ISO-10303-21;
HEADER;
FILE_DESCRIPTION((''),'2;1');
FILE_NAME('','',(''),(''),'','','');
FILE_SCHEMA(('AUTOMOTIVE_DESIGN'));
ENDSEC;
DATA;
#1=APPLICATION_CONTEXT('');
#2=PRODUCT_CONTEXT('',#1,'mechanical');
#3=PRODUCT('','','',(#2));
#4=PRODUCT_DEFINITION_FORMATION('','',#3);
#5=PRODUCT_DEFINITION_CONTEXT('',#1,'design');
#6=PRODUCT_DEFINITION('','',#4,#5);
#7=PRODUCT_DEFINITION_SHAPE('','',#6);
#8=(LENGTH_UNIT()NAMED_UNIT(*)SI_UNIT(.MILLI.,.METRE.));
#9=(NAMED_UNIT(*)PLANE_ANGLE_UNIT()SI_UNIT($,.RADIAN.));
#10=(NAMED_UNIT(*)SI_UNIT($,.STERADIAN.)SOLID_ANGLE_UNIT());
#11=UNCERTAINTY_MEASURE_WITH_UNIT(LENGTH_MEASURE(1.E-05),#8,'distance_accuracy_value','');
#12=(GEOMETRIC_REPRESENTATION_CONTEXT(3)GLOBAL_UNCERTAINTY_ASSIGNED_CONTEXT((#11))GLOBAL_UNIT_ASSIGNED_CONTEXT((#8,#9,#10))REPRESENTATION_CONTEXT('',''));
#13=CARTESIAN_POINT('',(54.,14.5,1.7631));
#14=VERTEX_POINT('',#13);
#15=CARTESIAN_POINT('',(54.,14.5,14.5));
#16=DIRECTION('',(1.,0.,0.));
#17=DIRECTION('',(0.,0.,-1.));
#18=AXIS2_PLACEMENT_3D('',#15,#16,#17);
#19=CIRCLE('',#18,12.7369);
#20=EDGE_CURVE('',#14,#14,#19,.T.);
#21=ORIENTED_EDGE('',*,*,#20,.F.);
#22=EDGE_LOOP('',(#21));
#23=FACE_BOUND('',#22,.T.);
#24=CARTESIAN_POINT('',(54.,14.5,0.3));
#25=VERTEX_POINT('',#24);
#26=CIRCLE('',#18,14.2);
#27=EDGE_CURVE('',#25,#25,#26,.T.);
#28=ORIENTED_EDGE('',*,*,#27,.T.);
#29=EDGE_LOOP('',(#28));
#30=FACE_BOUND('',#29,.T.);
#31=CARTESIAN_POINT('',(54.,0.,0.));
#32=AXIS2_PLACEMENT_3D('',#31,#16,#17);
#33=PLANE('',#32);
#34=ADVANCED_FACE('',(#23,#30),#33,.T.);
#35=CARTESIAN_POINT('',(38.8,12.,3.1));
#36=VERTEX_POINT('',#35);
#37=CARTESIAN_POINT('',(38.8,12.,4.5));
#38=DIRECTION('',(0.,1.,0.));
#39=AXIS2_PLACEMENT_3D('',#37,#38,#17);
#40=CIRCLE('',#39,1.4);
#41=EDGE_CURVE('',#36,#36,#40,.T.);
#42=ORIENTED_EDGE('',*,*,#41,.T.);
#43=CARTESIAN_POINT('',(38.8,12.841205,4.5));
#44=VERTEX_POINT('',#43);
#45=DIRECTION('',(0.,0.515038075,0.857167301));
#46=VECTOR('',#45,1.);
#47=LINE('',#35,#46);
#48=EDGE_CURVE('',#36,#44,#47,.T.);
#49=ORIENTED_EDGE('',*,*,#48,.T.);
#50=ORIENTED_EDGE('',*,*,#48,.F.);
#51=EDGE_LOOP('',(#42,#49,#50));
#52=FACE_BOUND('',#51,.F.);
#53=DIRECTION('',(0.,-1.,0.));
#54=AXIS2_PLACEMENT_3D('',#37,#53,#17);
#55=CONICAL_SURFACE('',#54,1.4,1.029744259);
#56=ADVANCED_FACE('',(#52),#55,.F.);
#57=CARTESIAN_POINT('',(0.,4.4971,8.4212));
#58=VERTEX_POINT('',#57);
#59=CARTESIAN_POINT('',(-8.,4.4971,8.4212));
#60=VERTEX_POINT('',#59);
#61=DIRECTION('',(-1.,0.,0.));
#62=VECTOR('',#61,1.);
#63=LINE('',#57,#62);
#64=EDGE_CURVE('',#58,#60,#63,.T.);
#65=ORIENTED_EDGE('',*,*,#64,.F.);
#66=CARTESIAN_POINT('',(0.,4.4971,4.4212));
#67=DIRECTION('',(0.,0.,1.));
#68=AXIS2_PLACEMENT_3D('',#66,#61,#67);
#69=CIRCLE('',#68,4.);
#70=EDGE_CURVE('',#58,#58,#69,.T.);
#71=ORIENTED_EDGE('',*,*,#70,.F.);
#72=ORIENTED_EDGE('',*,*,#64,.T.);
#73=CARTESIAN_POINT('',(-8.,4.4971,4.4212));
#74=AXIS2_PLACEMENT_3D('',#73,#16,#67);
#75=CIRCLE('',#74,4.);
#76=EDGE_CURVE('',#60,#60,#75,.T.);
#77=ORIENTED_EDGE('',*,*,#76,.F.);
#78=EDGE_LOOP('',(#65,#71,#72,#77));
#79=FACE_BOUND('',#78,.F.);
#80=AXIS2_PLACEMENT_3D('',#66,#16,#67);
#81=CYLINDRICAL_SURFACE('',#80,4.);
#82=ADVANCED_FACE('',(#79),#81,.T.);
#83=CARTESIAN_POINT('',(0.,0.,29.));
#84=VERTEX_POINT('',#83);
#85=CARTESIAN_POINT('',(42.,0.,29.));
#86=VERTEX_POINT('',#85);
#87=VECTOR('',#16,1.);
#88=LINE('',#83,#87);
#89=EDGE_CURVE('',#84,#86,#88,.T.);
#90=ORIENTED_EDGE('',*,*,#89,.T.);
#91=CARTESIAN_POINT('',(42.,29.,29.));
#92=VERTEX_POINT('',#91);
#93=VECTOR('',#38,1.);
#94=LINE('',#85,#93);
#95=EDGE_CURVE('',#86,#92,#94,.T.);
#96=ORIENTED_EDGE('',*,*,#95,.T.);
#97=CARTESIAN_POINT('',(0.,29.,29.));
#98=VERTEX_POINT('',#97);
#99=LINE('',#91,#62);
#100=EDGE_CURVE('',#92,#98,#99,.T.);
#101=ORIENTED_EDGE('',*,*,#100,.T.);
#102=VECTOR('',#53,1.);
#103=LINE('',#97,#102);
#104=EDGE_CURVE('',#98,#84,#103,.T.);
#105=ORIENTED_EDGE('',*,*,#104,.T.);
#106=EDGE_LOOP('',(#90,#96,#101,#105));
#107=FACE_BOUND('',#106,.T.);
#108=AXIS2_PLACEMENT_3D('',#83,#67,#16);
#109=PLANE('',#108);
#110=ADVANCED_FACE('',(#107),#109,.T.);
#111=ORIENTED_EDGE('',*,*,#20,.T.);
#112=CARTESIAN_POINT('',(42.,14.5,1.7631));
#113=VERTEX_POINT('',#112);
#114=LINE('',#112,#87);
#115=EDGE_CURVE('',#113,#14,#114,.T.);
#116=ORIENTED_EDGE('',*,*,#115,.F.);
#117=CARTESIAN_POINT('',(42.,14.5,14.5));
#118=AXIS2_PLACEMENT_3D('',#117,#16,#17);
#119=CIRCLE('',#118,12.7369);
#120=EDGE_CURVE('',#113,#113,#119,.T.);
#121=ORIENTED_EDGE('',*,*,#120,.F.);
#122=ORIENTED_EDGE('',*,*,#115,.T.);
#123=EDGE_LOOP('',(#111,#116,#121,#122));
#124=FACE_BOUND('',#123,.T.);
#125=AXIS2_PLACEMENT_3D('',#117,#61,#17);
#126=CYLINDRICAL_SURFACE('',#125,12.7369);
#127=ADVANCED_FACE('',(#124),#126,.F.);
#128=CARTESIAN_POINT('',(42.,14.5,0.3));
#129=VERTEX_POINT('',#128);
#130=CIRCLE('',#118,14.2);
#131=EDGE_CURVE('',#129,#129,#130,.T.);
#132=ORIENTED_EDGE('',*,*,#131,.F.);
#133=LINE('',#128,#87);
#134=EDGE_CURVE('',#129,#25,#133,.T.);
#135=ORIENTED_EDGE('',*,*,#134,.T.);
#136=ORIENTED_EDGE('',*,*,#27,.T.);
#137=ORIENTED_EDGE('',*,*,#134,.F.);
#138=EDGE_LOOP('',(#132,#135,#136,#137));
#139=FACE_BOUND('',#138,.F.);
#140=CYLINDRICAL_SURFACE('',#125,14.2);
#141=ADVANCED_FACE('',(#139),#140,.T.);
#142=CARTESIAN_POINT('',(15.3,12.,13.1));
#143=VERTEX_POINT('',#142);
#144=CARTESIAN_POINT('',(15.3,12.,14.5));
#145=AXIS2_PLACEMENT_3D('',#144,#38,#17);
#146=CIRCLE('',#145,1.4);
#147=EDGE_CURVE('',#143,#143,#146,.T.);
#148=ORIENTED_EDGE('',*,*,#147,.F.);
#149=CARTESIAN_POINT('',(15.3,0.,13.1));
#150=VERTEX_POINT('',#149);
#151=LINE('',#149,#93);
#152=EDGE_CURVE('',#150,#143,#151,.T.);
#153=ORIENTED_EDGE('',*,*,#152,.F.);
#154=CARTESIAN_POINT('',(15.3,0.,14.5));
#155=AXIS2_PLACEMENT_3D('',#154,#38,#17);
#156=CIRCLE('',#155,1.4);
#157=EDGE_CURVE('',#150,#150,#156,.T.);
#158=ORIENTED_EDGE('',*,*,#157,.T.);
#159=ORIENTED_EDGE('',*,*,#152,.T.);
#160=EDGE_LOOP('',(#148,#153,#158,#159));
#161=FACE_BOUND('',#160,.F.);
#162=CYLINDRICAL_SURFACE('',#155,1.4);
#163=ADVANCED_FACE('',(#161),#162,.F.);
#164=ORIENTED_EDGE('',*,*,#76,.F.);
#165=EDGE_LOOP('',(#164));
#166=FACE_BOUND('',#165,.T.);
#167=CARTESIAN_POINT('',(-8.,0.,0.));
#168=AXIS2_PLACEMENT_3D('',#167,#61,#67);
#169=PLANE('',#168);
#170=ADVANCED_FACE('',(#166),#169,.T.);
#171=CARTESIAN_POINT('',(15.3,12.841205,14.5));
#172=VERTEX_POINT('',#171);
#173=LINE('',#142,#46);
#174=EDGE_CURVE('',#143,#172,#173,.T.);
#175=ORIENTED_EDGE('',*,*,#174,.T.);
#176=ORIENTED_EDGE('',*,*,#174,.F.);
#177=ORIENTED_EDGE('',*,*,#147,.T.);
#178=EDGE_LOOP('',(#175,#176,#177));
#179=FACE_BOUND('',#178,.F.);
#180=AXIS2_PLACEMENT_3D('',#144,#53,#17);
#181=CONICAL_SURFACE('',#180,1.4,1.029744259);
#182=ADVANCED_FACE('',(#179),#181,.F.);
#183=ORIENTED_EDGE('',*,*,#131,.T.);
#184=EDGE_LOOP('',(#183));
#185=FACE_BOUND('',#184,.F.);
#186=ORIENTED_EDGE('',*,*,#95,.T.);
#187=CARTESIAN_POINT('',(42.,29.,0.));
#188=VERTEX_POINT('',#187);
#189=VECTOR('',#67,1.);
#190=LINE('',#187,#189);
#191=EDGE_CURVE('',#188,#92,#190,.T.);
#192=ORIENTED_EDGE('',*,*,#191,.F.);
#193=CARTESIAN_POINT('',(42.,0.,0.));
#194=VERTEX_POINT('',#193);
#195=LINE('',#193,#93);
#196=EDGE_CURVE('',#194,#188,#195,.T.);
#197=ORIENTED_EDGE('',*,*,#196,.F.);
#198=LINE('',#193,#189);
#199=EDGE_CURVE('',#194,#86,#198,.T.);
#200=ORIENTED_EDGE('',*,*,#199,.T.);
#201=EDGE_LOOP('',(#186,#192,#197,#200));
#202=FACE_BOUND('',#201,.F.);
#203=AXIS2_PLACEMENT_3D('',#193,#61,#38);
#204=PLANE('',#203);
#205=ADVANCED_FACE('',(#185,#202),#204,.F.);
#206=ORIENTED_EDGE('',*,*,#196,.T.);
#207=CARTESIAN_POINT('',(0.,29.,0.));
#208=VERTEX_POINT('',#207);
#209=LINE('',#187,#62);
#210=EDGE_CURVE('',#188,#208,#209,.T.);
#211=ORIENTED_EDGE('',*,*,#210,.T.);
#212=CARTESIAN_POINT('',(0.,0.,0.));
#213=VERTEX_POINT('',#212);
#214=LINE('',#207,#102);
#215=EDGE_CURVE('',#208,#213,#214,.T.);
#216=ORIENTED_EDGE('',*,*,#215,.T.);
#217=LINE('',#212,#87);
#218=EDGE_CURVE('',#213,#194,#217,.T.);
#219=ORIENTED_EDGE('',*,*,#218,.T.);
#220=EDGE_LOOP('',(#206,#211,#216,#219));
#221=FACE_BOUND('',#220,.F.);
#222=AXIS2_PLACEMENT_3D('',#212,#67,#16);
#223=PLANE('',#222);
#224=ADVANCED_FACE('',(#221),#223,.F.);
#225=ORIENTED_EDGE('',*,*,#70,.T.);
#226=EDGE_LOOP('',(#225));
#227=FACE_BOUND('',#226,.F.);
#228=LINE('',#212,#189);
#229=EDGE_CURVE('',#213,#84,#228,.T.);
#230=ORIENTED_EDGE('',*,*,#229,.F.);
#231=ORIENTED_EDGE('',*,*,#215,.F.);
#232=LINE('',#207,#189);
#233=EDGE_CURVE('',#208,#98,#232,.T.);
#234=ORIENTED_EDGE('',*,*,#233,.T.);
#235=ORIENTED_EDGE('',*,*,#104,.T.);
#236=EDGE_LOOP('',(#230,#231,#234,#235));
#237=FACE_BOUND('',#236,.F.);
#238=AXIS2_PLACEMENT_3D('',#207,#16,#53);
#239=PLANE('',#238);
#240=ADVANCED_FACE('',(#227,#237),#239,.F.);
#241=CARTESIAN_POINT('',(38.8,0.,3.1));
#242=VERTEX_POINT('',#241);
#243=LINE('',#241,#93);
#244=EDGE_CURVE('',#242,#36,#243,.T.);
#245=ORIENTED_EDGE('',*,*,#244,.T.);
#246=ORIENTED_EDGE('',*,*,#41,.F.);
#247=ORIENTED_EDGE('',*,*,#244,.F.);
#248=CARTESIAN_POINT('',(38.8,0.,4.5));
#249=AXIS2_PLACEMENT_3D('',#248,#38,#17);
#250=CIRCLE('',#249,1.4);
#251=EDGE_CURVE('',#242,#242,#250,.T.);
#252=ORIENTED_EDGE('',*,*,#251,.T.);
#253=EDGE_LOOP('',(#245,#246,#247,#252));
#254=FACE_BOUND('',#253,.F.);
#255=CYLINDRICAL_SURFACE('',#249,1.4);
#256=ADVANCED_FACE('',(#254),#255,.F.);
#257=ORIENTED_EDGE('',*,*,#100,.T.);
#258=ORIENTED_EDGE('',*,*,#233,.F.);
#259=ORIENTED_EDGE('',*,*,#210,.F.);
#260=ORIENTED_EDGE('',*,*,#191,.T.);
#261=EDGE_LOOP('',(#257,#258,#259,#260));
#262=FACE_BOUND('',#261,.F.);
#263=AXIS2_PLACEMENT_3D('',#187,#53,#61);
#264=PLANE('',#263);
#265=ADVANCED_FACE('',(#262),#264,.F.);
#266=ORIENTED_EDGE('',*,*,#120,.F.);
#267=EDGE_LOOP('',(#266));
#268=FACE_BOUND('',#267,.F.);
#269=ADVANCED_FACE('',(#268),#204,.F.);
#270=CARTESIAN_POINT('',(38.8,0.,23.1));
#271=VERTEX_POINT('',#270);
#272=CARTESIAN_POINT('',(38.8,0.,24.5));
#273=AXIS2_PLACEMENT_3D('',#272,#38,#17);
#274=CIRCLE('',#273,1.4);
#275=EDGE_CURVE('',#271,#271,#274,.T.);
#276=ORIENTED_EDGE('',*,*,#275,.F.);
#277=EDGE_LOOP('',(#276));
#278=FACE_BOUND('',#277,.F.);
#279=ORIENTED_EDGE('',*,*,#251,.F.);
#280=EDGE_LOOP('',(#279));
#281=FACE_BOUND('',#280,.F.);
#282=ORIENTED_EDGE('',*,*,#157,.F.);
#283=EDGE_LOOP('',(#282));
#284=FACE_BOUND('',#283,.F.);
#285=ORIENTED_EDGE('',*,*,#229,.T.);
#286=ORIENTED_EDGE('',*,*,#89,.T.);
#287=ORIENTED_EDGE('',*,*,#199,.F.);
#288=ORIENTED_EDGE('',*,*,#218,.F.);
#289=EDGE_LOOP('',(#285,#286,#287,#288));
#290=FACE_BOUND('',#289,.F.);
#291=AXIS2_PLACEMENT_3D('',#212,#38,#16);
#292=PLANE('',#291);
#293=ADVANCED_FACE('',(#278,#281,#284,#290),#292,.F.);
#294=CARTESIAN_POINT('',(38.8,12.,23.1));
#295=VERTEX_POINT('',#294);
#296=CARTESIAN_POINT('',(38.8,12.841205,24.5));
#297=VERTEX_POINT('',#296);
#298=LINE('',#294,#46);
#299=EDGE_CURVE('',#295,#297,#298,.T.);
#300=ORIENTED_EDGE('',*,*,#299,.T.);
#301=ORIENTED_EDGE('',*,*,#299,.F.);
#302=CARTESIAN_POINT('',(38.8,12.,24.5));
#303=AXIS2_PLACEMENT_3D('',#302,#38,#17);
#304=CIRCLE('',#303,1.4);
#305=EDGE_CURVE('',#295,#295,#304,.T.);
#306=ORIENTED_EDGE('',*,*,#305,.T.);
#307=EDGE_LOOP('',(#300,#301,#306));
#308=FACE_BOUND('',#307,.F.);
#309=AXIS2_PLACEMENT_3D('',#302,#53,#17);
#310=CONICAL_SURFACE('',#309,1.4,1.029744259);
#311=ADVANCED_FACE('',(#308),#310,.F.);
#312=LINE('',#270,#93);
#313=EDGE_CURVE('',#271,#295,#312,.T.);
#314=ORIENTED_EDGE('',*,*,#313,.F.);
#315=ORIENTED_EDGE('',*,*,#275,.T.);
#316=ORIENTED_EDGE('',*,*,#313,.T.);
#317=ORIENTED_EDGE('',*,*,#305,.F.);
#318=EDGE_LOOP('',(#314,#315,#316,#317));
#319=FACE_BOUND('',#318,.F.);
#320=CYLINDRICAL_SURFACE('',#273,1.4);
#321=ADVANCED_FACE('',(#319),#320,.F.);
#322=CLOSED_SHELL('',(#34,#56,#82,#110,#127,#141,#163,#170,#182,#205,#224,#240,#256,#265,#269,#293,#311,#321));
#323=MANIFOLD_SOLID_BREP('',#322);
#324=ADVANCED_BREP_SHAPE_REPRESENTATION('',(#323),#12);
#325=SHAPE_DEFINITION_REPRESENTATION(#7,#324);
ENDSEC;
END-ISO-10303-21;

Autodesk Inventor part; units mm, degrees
ref_plane "YZ Plane" through (0, 0, 0) normal (1, 0, 0) x (0, 1, 0)
ref_plane "XZ Plane" through (0, 0, 0) normal (0, 1, 0) x (-1, 0, 0)
ref_plane "XY Plane" through (0, 0, 0) normal (0, 0, 1) x (1, 0, 0)
sketch "Sketch1" plane through (0, 0, 0) normal (0, 0, 1) x (1, 0, 0)
  line L0 (0, 0) -> (42, 0)
  line L1 (42, 0) -> (42, 29)
  line L2 (42, 29) -> (0, 29)
  line L3 (0, 29) -> (0, 0)
  dimension "d0" = 42
  dimension "d1" = 29
extrude "Extrusion1" add sketch "Sketch1" along normal blind 29
sketch "Sketch2" plane through (42, 0, 0) normal (1, 0, 0) x (0, 0, -1)
  line L0 (0, 0) -> (0, 29) projected
  line L1 (0, 29) -> (-29, 29) projected
  line L2 (-29, 0) -> (-29, 29) projected
  line L3 (0, 0) -> (-29, 0) projected
  circle A0 centre (-14.5, 14.5) radius 14.2
  circle A1 centre (-14.5, 14.5) radius 12.7369
  dimension "d4" = 28.4
extrude "Extrusion2" add sketch "Sketch2" along normal blind 12 contours A0
sketch "Sketch3" plane through (0, 0, 0) normal (-1, 0, 0) x (0, 0, 1)
  line L0 (0, 29) -> (0, 0) projected
  line L1 (0, 0) -> (29, 0) projected
  line L2 (29, 29) -> (29, 0) projected
  line L3 (0, 29) -> (29, 29) projected
  circle A0 centre (14.5, 14.5) radius 14.2 projected
  circle A1 centre (4.4212, 4.4971) radius 4
  dimension "d7" = 8
extrude "Extrusion3" add sketch "Sketch3" along normal blind 8 contours A1 A0 | A0 A1 picked at (5.4383, 5.4228) picked at (3.5046, 3.5874)
sketch "Sketch4" plane through (0, 0, 0) normal (0, -1, 0) x (1, 0, 0)
  line L0 (0, 0) -> (42, 0) projected
  line L1 (42, 0) -> (42, 29) projected
  line L2 (0, 29) -> (42, 29) projected
  line L3 (0, 0) -> (0, 29) projected
  line L4 (54, 0.3) -> (54, 28.7) projected
  line L5 (42, 28.7) -> (42, 0.3) projected
  line L6 (54, 14.5) -> (0, 14.5) construction
  line L7 (0, 0) -> (0, 29) construction
  point P0 (38.8, 4.5)
  point P1 (38.8, 24.5)
  point P2 (15.3, 14.5)
  dimension "d10" = 10
  dimension "d11" = 14.5
  dimension "d12" = 3.2
  dimension "d13" = 10
  dimension "d14" = 3.2
  dimension "d15" = 23.5
hole "Hole1" at (38.8, 0, 4.5) at (38.8, 0, 24.5) at (15.3, 0, 14.5) direction (0, 1, 0) diameter 2.8 depth 12 tip angle 118
properties part number "00_Basler_acA1920_25gm"
